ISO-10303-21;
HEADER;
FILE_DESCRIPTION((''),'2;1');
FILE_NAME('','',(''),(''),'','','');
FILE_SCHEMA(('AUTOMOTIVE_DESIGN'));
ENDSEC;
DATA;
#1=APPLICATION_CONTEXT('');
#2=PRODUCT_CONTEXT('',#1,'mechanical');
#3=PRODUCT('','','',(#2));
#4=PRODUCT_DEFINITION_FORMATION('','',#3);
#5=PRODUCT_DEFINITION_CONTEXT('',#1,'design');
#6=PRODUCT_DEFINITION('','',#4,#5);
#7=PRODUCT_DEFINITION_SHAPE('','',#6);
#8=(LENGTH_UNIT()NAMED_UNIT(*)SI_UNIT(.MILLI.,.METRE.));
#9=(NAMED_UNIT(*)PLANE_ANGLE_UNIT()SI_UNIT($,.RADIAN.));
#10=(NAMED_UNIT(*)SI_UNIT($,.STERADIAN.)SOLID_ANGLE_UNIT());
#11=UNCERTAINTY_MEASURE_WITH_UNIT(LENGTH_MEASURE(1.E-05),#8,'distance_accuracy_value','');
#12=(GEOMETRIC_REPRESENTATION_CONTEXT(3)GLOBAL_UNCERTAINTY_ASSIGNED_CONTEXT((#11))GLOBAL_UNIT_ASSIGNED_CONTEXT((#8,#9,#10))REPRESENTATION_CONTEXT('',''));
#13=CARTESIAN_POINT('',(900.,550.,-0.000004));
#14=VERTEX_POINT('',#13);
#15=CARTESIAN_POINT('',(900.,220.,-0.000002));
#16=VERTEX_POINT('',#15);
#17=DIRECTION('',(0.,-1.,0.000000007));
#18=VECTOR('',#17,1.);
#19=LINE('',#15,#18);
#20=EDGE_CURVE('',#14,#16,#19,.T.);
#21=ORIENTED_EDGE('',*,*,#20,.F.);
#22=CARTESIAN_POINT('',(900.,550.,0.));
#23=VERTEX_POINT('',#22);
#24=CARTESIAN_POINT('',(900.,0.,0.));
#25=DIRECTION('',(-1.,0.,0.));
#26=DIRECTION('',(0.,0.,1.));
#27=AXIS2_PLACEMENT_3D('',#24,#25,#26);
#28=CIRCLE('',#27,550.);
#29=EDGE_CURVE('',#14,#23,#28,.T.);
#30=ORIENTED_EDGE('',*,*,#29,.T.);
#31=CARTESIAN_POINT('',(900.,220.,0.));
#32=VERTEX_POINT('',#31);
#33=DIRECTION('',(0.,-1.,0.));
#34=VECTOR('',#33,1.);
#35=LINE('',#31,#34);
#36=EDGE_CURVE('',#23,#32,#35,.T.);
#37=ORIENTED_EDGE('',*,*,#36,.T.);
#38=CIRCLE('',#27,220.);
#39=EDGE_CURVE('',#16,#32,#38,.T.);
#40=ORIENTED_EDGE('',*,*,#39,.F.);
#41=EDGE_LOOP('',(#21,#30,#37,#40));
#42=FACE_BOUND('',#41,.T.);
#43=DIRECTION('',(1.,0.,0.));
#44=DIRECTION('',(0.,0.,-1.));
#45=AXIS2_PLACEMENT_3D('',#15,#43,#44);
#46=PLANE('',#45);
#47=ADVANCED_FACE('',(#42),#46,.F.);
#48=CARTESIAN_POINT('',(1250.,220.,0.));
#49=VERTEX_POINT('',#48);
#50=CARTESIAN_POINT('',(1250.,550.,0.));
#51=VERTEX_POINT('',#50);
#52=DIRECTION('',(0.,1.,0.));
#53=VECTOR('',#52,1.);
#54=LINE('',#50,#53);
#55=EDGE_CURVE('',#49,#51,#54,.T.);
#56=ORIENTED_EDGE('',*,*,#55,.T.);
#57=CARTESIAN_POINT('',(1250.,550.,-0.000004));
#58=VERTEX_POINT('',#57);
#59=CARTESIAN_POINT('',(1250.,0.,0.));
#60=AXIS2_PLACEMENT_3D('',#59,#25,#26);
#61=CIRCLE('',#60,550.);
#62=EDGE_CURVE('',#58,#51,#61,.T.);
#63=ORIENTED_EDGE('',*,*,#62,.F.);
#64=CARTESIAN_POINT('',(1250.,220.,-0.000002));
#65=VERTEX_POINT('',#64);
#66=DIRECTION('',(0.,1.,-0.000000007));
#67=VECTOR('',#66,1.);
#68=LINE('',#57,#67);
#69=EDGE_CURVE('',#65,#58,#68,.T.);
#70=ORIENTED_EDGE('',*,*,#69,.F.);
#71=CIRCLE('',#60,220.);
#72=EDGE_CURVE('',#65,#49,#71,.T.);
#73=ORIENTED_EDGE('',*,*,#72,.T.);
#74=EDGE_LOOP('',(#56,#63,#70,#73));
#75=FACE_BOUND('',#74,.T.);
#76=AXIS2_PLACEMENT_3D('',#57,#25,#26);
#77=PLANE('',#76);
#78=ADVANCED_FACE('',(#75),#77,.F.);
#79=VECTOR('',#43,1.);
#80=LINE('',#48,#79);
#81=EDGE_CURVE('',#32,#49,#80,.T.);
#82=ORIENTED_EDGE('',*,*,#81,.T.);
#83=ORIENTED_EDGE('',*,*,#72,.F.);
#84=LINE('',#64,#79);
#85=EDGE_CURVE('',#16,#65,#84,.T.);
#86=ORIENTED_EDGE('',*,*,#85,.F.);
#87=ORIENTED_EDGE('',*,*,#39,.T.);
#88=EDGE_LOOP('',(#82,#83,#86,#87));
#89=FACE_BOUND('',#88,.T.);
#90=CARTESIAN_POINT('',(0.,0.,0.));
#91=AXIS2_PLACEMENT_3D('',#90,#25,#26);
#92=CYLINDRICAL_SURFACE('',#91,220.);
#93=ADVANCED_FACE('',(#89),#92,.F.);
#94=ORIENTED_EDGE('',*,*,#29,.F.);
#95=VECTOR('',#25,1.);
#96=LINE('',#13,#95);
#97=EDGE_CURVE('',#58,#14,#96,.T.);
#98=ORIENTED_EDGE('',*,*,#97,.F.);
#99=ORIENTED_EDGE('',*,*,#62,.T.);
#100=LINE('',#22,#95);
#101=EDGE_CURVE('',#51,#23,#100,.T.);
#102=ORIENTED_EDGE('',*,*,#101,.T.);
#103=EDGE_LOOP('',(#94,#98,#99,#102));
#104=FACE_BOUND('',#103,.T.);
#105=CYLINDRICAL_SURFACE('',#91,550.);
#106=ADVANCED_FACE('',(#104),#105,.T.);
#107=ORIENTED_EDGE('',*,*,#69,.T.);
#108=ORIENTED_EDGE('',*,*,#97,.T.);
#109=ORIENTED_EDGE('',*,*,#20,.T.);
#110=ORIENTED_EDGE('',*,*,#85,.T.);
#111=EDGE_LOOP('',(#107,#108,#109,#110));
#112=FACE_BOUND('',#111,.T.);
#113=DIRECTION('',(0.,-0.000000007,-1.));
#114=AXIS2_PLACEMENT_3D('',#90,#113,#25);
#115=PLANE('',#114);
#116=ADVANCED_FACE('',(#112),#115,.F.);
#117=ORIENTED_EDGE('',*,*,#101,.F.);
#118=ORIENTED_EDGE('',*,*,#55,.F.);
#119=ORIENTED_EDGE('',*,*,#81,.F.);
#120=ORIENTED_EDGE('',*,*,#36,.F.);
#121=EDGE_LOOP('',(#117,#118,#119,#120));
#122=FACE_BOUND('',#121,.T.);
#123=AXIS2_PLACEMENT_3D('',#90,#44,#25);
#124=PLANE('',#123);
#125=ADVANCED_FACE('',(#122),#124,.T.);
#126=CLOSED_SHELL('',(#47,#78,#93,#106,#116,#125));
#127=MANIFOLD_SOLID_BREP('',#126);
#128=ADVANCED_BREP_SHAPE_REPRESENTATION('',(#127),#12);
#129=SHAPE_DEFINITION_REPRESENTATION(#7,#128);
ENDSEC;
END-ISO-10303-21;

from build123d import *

# Parameters (mm, degrees)
SKETCH1_W      = 350
SKETCH1_H      = 330
REVOLVE1_ANGLE = 359.999999589


with BuildPart() as part:
    # Sketch1 → Revolve1 (revolve)
    with BuildSketch(Plane.XY):
        with Locations((1075, 385)):
            Rectangle(SKETCH1_W, SKETCH1_H)
    revolve(axis=Axis((0, 0, 0), (1, 0, 0)), revolution_arc=REVOLVE1_ANGLE)


solid = part.part
